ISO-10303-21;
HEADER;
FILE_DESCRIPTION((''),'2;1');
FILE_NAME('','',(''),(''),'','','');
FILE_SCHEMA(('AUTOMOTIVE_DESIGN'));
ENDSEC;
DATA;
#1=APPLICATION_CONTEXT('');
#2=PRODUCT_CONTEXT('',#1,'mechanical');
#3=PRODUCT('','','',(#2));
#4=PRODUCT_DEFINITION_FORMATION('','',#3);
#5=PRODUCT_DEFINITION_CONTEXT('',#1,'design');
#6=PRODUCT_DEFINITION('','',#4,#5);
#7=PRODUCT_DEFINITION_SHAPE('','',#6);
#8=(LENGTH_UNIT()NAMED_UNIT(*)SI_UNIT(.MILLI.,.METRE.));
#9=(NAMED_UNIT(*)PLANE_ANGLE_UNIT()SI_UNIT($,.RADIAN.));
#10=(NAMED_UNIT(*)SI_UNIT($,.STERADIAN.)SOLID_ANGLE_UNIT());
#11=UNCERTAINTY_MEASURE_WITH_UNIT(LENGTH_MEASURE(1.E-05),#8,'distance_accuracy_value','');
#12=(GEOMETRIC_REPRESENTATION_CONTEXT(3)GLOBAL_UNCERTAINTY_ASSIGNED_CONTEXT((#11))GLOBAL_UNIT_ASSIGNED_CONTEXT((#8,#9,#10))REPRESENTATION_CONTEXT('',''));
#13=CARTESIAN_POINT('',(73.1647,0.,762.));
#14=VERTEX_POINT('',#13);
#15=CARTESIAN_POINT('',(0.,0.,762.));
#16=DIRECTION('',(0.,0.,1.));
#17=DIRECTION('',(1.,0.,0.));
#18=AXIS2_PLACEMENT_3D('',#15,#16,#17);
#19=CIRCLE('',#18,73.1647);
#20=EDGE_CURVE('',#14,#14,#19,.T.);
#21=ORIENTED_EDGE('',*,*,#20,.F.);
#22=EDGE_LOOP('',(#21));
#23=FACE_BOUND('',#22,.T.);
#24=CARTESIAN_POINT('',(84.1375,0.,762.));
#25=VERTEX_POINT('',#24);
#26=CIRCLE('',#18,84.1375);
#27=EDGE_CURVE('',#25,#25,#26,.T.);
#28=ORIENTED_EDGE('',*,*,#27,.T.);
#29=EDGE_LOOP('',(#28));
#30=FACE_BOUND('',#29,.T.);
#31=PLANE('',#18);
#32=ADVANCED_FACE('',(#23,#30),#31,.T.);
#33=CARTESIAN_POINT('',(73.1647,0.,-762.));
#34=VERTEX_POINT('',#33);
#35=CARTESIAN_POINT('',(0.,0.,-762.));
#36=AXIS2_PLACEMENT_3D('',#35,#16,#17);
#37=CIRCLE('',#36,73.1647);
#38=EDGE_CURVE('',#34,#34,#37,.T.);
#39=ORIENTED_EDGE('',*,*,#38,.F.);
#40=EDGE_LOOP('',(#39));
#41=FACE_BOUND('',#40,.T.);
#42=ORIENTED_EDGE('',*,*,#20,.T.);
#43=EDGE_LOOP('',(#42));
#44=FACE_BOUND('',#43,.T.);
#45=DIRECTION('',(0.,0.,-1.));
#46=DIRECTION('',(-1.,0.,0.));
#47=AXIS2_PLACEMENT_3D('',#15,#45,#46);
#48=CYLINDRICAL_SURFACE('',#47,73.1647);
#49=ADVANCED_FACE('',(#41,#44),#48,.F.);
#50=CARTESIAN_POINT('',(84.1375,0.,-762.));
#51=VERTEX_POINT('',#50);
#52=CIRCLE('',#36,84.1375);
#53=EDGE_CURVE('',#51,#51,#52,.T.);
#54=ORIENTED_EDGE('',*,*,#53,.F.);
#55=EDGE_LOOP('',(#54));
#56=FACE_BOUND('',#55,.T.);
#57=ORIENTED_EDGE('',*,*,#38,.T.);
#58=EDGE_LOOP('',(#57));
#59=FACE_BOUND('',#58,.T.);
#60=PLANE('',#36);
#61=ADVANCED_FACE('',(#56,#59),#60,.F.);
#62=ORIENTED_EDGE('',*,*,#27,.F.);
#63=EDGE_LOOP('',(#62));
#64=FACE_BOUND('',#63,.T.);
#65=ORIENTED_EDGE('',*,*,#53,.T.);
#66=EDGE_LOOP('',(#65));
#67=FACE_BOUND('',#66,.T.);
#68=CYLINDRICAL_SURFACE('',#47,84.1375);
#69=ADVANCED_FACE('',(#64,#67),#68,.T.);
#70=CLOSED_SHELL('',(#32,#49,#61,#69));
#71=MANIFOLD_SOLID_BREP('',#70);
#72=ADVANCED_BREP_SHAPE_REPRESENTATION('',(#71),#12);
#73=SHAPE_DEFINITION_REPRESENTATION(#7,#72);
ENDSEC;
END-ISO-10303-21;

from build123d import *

# Parameters (mm, degrees)
SKETCH1_R           = 84.1375
SKETCH1_R_2         = 73.1647
EXTRUDE_THIN1_DEPTH = 762


with BuildPart() as part:
    # Sketch1 → Extrude-Thin1 (new, symmetric)
    with BuildSketch(Plane.XY):
        Circle(SKETCH1_R)
        Circle(SKETCH1_R_2, mode=Mode.SUBTRACT)
    extrude(amount=EXTRUDE_THIN1_DEPTH, both=True)


solid = part.part
